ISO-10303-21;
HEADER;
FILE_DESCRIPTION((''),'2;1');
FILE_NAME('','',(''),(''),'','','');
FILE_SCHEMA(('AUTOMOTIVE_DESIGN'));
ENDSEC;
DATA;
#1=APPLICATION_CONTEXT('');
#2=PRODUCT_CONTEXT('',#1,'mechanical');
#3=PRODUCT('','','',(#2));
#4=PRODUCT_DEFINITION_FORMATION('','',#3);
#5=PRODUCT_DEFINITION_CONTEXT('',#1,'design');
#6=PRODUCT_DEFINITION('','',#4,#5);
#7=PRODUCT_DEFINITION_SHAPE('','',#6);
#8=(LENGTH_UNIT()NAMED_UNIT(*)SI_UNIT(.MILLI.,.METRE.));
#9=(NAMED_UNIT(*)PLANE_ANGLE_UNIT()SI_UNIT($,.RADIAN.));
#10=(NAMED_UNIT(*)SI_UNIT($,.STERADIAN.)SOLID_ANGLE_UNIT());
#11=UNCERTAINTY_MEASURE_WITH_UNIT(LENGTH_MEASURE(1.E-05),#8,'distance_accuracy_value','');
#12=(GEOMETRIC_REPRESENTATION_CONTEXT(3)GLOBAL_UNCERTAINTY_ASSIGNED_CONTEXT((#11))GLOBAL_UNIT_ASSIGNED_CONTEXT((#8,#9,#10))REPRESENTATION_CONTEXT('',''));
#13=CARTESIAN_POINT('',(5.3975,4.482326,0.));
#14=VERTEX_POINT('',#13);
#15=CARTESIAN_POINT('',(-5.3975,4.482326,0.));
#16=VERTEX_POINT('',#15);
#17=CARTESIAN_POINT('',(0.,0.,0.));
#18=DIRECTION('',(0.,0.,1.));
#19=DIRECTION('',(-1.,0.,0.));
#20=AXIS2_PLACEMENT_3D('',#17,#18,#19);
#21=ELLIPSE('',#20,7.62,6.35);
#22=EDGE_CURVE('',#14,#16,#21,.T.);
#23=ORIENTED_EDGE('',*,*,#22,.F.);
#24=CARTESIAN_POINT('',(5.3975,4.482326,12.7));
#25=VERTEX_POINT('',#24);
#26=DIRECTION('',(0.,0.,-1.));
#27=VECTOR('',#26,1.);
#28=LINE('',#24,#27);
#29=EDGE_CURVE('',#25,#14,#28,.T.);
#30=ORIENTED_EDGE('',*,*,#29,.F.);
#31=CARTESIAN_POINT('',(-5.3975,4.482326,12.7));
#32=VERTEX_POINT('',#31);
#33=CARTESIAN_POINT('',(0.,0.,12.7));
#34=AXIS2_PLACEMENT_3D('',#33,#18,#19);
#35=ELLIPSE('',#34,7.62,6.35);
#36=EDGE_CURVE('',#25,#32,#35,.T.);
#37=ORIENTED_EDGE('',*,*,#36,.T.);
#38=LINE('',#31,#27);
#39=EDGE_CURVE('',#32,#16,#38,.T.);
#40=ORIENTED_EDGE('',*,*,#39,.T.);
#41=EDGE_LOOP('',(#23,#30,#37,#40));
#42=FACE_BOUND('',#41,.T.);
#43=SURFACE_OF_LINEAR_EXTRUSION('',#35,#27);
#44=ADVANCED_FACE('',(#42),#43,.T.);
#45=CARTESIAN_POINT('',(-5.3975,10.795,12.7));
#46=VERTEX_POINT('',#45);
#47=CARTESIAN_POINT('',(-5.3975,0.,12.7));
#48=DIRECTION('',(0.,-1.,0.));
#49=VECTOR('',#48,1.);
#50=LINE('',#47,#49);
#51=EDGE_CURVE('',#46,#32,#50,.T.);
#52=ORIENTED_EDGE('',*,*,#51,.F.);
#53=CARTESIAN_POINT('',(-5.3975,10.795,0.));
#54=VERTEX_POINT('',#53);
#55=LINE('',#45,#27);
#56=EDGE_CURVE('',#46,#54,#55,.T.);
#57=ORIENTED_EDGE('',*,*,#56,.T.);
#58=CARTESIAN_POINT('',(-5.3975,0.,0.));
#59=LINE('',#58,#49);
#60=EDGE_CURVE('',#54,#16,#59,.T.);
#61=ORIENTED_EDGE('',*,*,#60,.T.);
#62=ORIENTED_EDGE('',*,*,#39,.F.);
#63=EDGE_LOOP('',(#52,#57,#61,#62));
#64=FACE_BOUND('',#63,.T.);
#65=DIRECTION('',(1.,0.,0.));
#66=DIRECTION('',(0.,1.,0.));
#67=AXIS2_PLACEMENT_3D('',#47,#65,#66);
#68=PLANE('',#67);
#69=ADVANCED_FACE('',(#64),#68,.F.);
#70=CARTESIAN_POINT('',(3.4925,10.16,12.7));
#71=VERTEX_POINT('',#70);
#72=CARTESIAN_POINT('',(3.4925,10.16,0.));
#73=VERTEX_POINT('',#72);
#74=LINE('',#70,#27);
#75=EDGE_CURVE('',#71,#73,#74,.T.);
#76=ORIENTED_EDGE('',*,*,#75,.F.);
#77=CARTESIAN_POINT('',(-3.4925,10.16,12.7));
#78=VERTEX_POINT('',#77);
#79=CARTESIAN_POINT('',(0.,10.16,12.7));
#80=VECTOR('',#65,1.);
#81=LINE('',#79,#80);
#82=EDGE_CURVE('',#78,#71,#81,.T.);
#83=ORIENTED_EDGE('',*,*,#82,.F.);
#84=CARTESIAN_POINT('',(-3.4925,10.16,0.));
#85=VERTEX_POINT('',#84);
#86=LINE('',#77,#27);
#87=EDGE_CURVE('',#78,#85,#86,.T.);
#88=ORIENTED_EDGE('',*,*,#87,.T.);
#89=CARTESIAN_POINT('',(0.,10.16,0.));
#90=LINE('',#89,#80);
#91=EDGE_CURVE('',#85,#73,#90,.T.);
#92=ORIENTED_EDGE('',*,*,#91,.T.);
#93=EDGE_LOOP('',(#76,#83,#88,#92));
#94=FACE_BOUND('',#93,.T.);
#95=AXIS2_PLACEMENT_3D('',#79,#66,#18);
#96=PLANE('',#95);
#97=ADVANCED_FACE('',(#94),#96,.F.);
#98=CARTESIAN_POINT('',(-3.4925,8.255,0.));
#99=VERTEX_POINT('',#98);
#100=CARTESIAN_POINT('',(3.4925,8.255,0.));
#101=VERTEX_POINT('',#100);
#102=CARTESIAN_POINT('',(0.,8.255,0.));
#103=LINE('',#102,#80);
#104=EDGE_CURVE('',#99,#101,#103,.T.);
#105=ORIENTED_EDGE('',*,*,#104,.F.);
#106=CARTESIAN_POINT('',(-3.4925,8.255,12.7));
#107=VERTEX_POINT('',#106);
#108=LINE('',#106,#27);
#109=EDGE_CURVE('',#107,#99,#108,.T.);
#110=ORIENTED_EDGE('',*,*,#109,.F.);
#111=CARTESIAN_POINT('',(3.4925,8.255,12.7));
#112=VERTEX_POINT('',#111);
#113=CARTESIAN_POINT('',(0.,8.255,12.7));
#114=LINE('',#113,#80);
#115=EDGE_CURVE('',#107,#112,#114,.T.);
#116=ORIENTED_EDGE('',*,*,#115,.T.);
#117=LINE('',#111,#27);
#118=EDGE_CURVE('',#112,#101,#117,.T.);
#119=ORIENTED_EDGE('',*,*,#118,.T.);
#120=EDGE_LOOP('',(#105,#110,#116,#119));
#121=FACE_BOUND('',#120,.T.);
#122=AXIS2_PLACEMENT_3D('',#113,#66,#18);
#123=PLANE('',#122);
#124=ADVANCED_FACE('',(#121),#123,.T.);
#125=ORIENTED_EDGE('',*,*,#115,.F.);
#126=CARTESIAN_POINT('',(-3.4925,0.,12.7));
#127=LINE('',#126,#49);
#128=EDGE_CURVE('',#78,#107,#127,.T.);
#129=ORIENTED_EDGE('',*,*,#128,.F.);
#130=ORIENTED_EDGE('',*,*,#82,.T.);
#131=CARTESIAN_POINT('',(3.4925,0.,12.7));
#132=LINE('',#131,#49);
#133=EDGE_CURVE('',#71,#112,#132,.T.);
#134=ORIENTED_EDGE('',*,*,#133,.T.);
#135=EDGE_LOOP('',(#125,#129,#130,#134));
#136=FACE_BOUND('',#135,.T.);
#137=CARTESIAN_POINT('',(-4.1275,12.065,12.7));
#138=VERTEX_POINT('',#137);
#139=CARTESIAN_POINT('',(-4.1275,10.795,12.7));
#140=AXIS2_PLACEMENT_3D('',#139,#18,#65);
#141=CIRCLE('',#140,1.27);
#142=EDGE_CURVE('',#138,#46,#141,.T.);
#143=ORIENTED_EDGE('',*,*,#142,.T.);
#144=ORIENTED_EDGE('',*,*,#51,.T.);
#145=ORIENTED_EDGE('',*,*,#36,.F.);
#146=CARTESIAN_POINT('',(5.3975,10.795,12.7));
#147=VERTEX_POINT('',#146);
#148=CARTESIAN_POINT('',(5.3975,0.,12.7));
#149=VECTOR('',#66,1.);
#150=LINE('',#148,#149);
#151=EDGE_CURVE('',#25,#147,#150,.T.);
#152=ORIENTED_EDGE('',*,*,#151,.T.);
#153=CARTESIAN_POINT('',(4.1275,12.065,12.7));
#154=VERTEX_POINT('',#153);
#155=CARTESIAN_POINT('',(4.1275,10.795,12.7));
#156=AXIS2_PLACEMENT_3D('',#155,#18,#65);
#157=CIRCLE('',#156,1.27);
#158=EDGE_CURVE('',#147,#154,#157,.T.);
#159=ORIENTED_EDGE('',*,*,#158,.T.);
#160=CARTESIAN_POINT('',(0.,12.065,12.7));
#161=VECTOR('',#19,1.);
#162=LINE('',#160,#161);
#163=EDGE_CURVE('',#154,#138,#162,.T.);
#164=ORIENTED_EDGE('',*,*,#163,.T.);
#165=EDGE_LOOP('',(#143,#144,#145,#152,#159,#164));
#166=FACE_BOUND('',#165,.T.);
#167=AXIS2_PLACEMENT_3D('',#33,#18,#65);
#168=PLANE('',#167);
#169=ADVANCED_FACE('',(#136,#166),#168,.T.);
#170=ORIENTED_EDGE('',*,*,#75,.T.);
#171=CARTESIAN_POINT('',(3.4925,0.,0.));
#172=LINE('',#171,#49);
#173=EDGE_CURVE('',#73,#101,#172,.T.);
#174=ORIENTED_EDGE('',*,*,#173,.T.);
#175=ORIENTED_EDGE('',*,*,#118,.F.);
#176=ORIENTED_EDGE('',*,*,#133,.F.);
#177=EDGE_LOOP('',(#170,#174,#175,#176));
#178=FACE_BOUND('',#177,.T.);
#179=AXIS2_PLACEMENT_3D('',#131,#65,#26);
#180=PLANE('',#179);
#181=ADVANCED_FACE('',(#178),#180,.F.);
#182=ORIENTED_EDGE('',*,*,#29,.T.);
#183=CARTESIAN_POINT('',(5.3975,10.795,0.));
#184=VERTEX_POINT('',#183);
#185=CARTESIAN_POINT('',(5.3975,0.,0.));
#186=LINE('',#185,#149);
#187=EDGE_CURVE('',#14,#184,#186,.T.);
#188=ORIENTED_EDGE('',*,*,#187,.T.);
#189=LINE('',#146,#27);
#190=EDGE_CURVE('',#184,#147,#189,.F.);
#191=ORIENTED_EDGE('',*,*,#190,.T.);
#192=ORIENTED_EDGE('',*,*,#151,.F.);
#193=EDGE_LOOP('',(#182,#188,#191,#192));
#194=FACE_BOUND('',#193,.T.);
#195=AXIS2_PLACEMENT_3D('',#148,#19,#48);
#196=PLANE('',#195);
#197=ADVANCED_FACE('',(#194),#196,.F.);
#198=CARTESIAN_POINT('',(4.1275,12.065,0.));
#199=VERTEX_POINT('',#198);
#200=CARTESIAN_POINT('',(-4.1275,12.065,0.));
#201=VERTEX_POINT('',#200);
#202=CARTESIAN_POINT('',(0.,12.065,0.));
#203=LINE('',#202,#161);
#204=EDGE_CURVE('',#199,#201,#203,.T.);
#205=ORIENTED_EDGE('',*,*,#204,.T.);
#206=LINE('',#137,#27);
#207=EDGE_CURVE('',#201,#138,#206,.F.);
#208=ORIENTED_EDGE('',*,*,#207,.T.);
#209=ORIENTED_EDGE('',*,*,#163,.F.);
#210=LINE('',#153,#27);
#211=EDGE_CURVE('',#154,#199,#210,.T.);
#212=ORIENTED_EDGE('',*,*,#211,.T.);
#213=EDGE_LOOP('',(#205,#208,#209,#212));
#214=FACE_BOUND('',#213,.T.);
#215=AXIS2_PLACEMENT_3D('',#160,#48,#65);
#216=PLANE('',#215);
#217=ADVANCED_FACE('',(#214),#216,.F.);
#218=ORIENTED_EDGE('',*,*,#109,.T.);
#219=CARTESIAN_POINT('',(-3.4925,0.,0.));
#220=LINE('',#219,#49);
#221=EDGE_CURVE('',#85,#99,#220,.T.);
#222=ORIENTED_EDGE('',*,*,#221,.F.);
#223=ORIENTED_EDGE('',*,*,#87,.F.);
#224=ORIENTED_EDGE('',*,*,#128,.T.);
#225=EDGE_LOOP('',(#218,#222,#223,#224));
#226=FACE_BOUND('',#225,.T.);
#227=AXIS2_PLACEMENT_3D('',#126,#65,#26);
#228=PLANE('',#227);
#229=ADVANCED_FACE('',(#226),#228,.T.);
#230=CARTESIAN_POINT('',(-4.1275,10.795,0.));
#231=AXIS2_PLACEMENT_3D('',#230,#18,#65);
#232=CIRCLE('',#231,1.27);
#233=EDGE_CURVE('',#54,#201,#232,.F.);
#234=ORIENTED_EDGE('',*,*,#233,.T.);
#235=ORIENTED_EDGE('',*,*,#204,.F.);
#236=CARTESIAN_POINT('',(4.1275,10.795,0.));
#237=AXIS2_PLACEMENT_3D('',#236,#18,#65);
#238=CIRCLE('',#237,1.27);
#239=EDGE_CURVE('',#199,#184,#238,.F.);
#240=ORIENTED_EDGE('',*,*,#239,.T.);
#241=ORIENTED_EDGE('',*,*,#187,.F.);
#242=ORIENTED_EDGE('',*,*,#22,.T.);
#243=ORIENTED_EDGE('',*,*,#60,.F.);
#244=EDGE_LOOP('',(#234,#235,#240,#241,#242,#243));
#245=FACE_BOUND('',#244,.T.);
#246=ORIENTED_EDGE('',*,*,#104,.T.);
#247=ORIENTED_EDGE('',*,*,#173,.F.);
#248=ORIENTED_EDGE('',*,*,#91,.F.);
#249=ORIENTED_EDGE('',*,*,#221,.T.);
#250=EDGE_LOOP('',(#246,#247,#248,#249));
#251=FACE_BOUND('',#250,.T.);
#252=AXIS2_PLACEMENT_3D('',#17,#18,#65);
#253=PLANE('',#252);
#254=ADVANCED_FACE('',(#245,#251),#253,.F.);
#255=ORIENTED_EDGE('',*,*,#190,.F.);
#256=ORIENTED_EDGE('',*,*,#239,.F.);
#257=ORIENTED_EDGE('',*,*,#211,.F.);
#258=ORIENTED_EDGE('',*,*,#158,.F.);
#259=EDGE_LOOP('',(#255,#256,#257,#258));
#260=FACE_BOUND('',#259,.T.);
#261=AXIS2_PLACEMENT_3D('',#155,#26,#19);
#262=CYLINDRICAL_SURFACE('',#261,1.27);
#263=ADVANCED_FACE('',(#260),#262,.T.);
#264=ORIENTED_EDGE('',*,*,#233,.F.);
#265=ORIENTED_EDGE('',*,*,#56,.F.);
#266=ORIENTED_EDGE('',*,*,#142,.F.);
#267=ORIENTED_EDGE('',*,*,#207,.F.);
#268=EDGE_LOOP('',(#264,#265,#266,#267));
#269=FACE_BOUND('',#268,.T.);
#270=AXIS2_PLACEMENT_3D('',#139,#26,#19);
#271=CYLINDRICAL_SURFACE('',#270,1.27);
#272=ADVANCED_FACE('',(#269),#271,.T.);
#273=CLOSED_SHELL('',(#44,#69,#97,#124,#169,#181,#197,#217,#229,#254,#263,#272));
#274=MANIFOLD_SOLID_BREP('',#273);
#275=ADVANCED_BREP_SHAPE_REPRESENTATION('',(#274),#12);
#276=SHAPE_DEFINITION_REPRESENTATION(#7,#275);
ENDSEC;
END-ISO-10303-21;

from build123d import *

# Parameters (mm, degrees)
SKETCH1_W           = 6.985
SKETCH1_H           = 1.905
BOSS_EXTRUDE1_DEPTH = 12.7
FILLET1_R           = 1.27


with BuildPart() as part:
    # Sketch1 → Boss-Extrude1 (new body)
    with BuildSketch(Plane.XY):
        with BuildLine():
            add(Edge.make_bspline(
                [(5.3975, 4.482325921), (0, 8.995887562), (-5.3975, 4.482325921)],
                knots=[3.925254702, 3.925254702, 3.925254702, 5.499523258, 5.499523258, 5.499523258], degree=2, weights=[1, 0.705878098, 1]))
            Line((5.3975, 4.482325921), (5.3975, 12.065))
            Line((5.3975, 12.065), (-5.3975, 12.065))
            Line((-5.3975, 12.065), (-5.3975, 4.482325921))
        make_face()
        with Locations((0, 9.2075)):
            Rectangle(SKETCH1_W, SKETCH1_H, mode=Mode.SUBTRACT)
    extrude(amount=BOSS_EXTRUDE1_DEPTH)

    # Fillet1
    fillet1_edges = [part.edges().sort_by_distance(p)[0] for p in [
        (-5.3975, 12.065, 6.35),
        (5.3975, 12.065, 6.35),
    ]]
    fillet(fillet1_edges, radius=FILLET1_R)


solid = part.part
